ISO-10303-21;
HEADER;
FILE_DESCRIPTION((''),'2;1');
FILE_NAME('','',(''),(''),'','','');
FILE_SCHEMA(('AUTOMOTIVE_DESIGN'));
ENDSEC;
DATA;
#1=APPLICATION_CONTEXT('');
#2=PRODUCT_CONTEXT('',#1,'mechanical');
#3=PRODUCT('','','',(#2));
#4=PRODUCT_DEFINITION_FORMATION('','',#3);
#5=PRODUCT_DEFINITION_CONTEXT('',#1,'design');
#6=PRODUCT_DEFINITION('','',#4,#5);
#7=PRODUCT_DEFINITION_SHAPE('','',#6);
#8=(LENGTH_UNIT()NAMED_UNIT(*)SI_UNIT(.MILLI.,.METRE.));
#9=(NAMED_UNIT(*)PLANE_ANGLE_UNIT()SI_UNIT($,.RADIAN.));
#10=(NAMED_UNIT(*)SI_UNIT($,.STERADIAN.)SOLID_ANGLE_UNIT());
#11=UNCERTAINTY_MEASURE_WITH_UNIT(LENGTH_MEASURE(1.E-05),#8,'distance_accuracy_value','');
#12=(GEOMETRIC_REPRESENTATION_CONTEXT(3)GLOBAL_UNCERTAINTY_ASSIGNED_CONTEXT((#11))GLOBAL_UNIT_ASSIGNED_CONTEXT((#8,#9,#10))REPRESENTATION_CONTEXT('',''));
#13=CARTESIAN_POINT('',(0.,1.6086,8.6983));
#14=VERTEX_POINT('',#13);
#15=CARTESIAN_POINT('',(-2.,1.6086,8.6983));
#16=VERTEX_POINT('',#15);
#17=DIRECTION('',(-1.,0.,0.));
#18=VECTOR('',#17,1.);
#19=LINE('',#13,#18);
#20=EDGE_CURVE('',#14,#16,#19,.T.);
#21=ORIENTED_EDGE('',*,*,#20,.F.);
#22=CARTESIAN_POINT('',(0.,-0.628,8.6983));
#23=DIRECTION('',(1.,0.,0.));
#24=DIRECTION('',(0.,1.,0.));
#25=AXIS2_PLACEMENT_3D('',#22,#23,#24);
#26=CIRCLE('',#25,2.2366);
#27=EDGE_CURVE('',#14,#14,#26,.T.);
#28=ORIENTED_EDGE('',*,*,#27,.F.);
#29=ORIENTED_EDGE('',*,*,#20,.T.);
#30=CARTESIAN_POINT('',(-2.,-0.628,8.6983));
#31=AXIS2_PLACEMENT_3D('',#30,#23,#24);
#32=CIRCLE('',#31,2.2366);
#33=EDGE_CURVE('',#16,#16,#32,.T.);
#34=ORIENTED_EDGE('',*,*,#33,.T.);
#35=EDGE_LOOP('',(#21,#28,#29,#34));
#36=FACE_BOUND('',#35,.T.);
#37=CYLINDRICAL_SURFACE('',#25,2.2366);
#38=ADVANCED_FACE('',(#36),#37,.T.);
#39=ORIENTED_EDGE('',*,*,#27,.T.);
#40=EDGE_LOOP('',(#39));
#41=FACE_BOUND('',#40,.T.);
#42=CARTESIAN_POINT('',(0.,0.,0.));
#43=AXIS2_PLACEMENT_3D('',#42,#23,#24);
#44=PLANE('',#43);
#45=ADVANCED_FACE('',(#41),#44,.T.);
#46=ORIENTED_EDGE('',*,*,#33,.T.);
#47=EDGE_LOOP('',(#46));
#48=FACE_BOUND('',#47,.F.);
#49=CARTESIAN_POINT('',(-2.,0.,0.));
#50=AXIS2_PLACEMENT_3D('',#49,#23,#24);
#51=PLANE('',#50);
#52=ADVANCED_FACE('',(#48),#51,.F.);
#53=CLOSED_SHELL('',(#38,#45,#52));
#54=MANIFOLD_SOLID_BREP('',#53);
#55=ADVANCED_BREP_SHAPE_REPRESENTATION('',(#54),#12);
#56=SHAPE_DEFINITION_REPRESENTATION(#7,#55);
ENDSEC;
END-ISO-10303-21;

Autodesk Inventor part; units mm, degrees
sketch "Skizze1" plane through (0, 0, 0) normal (1, 0, 0) x (0, 1, 0)
  circle A0 centre (-0.628, 8.6983) radius 2.2366
  line L0 (-0.628, 9.8147) -> (-2.256, 9.1635)
  line L1 (-2.256, 9.1635) -> (-1.442, 8.3727)
  line L2 (-1.442, 8.3727) -> (-0.628, 9.8147)
  line L3 (0.7173, 9.2142) -> (-0.628, 6.8313)
  line L4 (-0.628, 6.8313) -> (0.127, 9.3885)
  line L5 (0.127, 9.3885) -> (0.7173, 9.2142)
  point P0 (0, 0)
extrude "Extrusion1" add sketch "Skizze1" against normal blind 2 contours A0 | L2 L1 L0 | L3 L4 L5
properties part number "HTW-000166"
